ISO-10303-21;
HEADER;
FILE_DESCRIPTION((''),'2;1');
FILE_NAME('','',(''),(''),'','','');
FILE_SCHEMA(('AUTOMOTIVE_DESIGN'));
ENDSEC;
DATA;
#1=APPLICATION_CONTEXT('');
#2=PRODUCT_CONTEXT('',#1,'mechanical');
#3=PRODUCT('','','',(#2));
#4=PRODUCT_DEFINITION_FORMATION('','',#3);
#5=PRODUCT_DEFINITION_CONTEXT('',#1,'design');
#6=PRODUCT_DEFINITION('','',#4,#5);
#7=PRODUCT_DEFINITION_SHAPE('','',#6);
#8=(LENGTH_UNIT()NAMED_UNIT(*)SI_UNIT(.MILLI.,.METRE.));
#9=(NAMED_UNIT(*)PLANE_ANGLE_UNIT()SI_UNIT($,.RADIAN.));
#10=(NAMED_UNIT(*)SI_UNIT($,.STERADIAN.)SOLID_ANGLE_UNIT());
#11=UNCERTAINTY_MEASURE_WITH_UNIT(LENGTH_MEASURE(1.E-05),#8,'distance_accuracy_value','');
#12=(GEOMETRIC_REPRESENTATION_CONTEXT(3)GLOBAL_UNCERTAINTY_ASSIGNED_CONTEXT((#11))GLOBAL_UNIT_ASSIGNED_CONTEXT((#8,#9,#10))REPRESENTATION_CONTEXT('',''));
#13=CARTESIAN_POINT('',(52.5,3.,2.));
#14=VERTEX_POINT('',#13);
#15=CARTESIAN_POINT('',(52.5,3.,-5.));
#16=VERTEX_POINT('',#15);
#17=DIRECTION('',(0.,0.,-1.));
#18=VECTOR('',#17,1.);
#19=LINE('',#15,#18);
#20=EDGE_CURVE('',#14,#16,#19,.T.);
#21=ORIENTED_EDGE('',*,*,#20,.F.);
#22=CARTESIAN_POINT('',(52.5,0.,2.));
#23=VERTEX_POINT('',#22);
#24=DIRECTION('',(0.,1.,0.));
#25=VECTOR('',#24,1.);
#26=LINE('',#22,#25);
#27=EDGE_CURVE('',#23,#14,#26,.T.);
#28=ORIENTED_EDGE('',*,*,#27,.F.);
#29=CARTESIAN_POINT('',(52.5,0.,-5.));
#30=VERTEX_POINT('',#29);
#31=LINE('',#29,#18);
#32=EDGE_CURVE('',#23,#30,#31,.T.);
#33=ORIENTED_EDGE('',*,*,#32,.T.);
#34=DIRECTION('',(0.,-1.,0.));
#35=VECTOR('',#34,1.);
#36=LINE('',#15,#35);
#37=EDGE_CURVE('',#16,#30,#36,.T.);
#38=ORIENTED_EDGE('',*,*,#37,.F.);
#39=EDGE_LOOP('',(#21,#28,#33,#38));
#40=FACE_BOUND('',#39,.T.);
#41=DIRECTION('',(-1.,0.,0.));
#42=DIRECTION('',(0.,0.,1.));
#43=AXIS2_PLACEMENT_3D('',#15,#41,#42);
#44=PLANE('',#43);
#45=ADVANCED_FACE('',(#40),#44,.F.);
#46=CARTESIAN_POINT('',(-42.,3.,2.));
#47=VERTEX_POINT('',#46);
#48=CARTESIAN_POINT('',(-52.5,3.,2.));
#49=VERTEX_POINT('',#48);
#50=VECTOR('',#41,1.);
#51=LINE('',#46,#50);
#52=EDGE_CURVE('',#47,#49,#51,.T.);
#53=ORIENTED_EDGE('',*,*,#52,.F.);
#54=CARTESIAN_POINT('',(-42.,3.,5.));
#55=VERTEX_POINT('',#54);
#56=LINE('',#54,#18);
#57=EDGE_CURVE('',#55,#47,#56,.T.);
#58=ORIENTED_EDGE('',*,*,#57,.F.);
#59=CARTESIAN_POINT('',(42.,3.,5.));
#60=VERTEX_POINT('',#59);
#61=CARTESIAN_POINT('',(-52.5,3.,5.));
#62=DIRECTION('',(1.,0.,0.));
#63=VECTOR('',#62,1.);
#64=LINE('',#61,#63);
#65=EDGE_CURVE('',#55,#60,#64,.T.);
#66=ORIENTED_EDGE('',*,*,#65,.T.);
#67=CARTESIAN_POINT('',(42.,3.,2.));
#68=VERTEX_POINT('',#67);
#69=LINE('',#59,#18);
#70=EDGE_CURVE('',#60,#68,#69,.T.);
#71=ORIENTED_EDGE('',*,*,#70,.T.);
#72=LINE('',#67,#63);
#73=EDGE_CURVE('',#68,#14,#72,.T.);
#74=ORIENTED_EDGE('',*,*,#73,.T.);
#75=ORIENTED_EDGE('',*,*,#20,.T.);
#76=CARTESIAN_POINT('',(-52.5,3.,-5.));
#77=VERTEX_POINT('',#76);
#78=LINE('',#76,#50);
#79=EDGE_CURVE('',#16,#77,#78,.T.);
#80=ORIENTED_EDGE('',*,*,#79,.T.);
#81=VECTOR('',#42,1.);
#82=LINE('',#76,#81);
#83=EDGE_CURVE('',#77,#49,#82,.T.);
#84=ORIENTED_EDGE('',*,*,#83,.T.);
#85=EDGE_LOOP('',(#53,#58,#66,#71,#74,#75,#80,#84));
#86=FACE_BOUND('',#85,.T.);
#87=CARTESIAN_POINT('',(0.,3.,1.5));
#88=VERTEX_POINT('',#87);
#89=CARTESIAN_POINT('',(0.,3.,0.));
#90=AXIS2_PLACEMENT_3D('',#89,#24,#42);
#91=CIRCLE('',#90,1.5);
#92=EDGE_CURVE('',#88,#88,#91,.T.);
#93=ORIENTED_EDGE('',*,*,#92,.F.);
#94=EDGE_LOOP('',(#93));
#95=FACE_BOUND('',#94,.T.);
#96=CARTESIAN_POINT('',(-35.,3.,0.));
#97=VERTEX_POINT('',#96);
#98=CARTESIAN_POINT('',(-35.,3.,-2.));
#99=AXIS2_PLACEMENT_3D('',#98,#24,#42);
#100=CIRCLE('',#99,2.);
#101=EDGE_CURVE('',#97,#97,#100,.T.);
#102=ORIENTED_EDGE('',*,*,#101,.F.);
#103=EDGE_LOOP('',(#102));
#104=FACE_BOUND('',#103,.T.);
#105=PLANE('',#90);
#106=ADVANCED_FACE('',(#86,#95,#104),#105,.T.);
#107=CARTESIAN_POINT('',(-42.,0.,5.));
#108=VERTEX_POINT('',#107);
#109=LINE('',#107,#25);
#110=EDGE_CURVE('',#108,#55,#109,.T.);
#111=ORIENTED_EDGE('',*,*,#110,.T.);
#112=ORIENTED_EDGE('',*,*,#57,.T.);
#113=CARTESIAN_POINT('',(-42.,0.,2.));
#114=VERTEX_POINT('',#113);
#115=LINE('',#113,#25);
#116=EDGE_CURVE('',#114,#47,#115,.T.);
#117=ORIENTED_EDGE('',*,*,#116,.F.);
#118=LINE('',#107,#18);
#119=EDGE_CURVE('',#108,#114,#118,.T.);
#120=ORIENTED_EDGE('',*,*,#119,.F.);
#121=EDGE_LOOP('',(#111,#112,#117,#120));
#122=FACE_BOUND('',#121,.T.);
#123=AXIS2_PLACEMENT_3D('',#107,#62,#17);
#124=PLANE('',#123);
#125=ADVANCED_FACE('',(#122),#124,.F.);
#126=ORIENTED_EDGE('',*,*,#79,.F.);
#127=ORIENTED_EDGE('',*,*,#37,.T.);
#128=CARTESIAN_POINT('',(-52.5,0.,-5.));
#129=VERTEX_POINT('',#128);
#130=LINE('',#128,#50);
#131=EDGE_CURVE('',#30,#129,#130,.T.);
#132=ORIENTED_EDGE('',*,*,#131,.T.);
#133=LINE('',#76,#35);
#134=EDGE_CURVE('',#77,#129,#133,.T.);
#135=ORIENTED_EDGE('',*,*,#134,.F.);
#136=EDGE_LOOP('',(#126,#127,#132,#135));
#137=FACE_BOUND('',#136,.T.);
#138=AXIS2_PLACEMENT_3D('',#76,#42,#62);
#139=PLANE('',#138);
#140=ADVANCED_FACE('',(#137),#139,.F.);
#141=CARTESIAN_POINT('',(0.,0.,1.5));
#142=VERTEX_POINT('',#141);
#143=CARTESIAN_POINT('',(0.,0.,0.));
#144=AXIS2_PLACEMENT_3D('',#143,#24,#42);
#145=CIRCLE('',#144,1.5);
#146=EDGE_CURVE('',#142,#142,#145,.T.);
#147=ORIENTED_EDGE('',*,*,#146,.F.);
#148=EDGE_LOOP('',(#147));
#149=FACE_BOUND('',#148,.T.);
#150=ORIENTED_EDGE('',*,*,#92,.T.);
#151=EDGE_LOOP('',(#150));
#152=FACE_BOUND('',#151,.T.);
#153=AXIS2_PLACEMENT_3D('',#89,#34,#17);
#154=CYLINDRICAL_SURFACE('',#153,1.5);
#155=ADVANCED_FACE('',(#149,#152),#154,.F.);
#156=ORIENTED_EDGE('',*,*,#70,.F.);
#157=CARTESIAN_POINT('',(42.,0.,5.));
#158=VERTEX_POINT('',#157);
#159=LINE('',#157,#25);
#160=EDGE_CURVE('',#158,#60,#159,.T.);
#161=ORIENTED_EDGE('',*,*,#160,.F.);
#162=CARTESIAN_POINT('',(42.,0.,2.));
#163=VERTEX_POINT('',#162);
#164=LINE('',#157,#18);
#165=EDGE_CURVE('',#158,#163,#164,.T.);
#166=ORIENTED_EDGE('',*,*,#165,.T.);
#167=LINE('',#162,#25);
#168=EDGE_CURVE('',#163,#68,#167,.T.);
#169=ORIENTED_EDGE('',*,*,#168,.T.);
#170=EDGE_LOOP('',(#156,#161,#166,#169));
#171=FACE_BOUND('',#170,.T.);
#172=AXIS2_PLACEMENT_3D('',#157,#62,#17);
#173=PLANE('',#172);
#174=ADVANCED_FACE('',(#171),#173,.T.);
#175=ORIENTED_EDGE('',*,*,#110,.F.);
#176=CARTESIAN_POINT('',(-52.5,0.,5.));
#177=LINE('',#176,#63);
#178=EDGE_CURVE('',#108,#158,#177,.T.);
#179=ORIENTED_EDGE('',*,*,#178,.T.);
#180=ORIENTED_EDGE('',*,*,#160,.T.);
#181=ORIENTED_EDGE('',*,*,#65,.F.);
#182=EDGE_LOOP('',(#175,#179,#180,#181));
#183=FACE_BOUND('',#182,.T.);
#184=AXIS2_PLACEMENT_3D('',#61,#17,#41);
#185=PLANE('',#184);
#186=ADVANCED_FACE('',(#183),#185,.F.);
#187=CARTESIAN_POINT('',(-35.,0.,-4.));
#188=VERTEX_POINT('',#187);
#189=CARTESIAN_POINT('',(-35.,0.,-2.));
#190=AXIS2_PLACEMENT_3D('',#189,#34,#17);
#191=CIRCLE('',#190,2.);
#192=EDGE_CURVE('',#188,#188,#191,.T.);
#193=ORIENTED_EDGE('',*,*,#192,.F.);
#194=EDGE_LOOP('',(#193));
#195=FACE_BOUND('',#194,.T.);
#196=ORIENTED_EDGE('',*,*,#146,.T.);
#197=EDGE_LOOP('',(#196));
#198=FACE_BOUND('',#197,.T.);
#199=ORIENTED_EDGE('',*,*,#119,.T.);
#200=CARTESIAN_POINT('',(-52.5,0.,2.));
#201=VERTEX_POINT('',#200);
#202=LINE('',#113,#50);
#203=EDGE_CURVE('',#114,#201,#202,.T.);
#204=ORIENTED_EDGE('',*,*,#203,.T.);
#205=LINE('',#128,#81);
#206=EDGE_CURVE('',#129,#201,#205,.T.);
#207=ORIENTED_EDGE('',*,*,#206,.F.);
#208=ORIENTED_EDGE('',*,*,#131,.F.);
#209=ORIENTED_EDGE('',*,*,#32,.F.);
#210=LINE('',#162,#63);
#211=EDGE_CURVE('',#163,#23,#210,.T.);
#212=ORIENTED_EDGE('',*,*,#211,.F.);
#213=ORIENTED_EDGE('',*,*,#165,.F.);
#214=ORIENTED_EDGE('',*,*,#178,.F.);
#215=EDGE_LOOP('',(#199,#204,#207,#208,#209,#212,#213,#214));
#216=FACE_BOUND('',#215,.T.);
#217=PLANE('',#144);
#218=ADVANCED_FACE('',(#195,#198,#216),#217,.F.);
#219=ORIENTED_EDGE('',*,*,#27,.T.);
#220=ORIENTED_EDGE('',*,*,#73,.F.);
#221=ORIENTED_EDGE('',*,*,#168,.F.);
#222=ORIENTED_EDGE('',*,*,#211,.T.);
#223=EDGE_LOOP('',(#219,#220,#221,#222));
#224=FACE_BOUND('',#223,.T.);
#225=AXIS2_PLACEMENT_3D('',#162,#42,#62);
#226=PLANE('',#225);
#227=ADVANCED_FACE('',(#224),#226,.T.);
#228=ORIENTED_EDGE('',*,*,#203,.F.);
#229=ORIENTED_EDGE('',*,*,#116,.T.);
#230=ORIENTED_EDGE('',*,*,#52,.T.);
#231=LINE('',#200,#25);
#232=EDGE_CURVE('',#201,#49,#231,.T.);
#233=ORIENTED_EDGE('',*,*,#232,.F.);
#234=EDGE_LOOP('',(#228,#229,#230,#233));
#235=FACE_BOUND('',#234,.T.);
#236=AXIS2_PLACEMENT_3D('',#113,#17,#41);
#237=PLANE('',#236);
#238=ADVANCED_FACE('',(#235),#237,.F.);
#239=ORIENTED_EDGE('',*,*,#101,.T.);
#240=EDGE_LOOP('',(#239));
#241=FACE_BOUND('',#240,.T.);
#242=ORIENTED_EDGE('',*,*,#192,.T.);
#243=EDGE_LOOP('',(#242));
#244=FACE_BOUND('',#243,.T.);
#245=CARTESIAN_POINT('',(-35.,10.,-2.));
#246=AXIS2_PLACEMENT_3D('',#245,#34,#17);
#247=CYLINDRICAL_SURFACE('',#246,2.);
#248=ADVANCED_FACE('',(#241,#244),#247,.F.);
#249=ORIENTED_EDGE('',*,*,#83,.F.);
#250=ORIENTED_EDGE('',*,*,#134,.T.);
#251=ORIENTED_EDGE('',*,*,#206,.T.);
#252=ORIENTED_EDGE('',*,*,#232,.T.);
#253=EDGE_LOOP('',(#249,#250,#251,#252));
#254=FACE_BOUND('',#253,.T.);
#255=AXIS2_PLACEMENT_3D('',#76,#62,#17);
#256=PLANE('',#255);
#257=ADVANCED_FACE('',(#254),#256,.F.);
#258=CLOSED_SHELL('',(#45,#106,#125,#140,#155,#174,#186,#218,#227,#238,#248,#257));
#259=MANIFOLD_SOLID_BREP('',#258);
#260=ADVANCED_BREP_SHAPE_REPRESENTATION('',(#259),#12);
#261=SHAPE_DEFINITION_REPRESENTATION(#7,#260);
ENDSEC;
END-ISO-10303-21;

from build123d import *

# Parameters (mm, degrees)
SKETCH1_W           = 105
SKETCH1_H           = 10
SKETCH1_R           = 1.5
BOSS_EXTRUDE1_DEPTH = 3
SKETCH2_W           = 10.5
SKETCH2_H           = 3
CUT_EXTRUDE1_DEPTH  = 53.82281704
SKETCH3_R           = 2
CUT_EXTRUDE3_DEPTH  = 10


with BuildPart() as part:
    # Sketch1 → Boss-Extrude1 (new body)
    with BuildSketch(Plane(origin=(0, 0, 0), x_dir=(1, 0, 0), z_dir=(0, 1, 0))):
        Rectangle(SKETCH1_W, SKETCH1_H)
        with Locations(Location((0, 0, 0), (0, 0, 270))):
            Circle(SKETCH1_R, mode=Mode.SUBTRACT)
    extrude(amount=BOSS_EXTRUDE1_DEPTH)

    # Sketch2 → Cut-Extrude1 (cut, through all)
    with BuildSketch(Plane(origin=(0, 3, 0), x_dir=(1, 0, 0), z_dir=(0, 1, 0))):
        with Locations((-47.25, -3.5)):
            Rectangle(SKETCH2_W, SKETCH2_H)
    cut_extrude1 = extrude(amount=-CUT_EXTRUDE1_DEPTH, mode=Mode.SUBTRACT)

    # Mirror2: Cut-Extrude1 across plane
    add(cut_extrude1.mirror(Plane(origin=(0, 0, 0), x_dir=(0, 0, 1), z_dir=(1, 0, 0))), mode=Mode.SUBTRACT)

    # Sketch3 → Cut-Extrude3 (cut)
    with BuildSketch(Plane.XZ):
        with Locations(Location((-35, -2, 0), (0, 0, 270))):
            Circle(SKETCH3_R)
    extrude(amount=-CUT_EXTRUDE3_DEPTH, mode=Mode.SUBTRACT)


solid = part.part
